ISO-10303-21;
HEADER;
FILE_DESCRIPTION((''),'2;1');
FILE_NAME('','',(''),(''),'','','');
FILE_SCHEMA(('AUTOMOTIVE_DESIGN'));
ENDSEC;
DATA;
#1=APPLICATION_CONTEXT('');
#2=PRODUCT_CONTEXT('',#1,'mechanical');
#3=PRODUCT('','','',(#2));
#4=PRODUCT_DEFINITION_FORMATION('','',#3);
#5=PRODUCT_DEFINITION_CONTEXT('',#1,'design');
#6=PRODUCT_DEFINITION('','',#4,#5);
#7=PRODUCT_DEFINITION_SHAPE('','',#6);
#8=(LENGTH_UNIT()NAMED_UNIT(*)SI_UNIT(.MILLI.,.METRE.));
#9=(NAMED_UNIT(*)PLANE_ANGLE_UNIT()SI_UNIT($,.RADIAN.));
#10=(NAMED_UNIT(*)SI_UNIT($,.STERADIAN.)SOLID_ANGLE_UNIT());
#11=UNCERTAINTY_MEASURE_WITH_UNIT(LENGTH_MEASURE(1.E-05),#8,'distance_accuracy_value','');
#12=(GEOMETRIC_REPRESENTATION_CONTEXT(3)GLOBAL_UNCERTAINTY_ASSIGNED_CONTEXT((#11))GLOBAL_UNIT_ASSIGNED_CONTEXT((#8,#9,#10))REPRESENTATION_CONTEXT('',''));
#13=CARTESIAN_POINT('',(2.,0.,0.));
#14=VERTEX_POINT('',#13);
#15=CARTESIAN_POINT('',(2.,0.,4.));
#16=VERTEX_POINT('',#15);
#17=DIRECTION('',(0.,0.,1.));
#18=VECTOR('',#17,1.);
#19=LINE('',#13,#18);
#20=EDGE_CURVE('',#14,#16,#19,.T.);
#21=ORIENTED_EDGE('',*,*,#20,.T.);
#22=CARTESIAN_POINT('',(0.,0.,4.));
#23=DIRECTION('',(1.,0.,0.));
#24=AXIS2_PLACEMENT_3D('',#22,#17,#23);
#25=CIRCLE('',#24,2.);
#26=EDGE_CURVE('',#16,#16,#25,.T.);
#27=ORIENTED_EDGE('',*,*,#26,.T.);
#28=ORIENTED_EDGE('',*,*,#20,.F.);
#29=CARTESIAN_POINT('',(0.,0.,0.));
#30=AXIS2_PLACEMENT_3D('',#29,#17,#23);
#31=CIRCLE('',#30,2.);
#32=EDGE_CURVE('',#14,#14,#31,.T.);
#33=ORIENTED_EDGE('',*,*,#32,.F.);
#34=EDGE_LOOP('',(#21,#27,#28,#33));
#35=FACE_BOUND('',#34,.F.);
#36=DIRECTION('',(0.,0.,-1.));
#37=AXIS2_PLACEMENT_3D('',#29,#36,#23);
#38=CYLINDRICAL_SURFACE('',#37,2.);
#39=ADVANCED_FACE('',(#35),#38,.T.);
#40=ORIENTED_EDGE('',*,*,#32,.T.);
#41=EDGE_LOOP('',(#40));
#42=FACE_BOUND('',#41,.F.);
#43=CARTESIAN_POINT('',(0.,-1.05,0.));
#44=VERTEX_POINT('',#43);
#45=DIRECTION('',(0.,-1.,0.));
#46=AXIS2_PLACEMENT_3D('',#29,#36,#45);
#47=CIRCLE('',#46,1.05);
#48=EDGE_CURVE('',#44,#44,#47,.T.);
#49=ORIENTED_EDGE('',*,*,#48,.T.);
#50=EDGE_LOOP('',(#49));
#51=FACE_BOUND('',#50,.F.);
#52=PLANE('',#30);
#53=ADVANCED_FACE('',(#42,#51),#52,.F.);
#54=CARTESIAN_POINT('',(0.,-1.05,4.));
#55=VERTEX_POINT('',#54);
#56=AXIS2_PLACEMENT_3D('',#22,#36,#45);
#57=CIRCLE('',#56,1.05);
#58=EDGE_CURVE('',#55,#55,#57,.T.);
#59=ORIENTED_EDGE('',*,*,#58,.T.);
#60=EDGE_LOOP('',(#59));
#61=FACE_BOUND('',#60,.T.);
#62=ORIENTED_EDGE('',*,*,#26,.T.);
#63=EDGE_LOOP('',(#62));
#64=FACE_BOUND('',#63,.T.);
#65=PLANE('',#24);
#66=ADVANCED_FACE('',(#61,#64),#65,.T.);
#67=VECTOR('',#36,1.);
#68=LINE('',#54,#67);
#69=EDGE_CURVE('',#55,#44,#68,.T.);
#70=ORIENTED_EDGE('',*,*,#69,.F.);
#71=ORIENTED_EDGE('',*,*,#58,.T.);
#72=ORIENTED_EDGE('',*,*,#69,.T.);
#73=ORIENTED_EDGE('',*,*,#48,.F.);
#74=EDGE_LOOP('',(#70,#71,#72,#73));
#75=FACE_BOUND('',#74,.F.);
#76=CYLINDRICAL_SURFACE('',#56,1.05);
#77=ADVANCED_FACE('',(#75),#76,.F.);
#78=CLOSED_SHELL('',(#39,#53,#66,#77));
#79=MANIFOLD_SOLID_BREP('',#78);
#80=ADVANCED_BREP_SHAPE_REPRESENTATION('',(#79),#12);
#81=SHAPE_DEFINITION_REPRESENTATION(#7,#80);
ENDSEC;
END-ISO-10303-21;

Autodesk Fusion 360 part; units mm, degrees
sketch "Sketch1" plane through (0, 0, 0) normal (0, 0, 1) x (1, 0, 0)
  circle A0 centre (0, 0) radius 2
  dimension "d1" = 4
extrude "Extrude1" add sketch "Sketch1" along normal blind 4
sketch "Sketch2" plane through (0, 0, 4) normal (0, 0, 1) x (-1, 0, 0)
  circle A0 centre (0, 0) radius 2
hole "Hole2" at (0, 0, 4) direction (0, 0, -1) diameter 2.1 depth 4 tip angle 180
